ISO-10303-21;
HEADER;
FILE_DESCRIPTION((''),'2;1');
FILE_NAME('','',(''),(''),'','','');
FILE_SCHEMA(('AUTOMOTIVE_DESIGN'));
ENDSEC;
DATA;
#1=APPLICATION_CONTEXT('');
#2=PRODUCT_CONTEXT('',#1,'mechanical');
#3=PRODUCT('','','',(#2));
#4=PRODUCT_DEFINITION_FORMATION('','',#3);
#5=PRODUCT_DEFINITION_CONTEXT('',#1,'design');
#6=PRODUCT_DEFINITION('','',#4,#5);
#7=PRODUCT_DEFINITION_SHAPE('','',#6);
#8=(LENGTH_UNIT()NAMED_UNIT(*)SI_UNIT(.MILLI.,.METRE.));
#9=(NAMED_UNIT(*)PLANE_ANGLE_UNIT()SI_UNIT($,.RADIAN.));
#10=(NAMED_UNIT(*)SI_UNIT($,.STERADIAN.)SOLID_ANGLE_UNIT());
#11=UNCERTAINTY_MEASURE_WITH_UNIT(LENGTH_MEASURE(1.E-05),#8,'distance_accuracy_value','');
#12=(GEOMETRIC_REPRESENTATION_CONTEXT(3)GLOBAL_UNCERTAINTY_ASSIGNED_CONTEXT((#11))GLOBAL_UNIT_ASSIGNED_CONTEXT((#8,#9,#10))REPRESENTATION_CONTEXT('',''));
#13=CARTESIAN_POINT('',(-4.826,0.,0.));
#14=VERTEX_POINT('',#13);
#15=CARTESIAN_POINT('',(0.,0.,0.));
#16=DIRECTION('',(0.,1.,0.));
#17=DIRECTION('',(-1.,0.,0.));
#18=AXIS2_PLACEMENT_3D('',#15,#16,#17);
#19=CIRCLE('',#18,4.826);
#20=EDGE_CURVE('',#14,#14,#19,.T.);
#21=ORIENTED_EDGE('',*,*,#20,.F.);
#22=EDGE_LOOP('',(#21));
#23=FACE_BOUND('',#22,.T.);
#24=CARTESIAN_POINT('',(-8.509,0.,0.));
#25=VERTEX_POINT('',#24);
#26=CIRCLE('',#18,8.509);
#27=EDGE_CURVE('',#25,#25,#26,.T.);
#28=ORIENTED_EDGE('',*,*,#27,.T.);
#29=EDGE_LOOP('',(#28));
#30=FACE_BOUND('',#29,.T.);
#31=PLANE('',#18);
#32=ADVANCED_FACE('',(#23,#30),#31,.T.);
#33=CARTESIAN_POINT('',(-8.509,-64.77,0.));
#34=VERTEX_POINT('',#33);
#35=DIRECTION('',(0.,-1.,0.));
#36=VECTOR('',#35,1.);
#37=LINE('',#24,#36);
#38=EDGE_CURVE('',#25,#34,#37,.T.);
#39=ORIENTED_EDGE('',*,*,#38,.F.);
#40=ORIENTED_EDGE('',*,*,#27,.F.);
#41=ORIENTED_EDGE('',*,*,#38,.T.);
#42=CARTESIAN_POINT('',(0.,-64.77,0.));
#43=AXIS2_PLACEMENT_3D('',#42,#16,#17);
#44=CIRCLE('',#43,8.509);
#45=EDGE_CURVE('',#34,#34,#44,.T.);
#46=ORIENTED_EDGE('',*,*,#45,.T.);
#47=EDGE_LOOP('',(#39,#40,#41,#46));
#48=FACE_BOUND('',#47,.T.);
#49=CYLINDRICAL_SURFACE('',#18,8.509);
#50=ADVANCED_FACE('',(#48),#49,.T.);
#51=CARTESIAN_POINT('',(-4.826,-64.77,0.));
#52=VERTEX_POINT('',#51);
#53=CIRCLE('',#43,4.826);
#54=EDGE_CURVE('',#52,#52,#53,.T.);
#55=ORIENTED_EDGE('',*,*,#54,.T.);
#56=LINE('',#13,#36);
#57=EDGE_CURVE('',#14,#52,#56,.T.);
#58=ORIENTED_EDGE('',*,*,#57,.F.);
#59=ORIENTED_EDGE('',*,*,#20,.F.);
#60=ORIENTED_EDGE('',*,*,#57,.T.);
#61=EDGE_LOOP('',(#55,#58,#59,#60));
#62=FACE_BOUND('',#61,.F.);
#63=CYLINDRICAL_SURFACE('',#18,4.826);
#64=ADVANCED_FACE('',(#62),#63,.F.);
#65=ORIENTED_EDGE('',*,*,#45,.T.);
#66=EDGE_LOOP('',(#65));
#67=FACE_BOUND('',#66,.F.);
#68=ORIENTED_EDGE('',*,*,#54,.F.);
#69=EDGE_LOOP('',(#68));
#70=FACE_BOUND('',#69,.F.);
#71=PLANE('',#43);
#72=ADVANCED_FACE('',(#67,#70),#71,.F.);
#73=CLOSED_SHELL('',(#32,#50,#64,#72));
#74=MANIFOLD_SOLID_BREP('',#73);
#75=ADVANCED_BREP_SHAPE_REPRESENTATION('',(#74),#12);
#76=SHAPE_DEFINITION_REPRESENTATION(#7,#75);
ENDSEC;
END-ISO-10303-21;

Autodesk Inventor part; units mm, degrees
ref_plane "YZ Plane" through (0, 0, 0) normal (1, 0, 0) x (0, 1, 0)
ref_plane "XZ Plane" through (0, 0, 0) normal (0, 1, 0) x (-1, 0, 0)
ref_plane "XY Plane" through (0, 0, 0) normal (0, 0, 1) x (1, 0, 0)
sketch "Sketch1" plane through (0, 0, 0) normal (0, 1, 0) x (-1, 0, 0)
  circle A0 centre (0, 0) radius 8.509
  circle A1 centre (0, 0) radius 4.826
  dimension "d0" = 17.018
  dimension "d1" = 9.652
extrude "Extrusion1" add sketch "Sketch1" against normal blind 64.77
properties part number "am-0754" material "ABS Plastic"
